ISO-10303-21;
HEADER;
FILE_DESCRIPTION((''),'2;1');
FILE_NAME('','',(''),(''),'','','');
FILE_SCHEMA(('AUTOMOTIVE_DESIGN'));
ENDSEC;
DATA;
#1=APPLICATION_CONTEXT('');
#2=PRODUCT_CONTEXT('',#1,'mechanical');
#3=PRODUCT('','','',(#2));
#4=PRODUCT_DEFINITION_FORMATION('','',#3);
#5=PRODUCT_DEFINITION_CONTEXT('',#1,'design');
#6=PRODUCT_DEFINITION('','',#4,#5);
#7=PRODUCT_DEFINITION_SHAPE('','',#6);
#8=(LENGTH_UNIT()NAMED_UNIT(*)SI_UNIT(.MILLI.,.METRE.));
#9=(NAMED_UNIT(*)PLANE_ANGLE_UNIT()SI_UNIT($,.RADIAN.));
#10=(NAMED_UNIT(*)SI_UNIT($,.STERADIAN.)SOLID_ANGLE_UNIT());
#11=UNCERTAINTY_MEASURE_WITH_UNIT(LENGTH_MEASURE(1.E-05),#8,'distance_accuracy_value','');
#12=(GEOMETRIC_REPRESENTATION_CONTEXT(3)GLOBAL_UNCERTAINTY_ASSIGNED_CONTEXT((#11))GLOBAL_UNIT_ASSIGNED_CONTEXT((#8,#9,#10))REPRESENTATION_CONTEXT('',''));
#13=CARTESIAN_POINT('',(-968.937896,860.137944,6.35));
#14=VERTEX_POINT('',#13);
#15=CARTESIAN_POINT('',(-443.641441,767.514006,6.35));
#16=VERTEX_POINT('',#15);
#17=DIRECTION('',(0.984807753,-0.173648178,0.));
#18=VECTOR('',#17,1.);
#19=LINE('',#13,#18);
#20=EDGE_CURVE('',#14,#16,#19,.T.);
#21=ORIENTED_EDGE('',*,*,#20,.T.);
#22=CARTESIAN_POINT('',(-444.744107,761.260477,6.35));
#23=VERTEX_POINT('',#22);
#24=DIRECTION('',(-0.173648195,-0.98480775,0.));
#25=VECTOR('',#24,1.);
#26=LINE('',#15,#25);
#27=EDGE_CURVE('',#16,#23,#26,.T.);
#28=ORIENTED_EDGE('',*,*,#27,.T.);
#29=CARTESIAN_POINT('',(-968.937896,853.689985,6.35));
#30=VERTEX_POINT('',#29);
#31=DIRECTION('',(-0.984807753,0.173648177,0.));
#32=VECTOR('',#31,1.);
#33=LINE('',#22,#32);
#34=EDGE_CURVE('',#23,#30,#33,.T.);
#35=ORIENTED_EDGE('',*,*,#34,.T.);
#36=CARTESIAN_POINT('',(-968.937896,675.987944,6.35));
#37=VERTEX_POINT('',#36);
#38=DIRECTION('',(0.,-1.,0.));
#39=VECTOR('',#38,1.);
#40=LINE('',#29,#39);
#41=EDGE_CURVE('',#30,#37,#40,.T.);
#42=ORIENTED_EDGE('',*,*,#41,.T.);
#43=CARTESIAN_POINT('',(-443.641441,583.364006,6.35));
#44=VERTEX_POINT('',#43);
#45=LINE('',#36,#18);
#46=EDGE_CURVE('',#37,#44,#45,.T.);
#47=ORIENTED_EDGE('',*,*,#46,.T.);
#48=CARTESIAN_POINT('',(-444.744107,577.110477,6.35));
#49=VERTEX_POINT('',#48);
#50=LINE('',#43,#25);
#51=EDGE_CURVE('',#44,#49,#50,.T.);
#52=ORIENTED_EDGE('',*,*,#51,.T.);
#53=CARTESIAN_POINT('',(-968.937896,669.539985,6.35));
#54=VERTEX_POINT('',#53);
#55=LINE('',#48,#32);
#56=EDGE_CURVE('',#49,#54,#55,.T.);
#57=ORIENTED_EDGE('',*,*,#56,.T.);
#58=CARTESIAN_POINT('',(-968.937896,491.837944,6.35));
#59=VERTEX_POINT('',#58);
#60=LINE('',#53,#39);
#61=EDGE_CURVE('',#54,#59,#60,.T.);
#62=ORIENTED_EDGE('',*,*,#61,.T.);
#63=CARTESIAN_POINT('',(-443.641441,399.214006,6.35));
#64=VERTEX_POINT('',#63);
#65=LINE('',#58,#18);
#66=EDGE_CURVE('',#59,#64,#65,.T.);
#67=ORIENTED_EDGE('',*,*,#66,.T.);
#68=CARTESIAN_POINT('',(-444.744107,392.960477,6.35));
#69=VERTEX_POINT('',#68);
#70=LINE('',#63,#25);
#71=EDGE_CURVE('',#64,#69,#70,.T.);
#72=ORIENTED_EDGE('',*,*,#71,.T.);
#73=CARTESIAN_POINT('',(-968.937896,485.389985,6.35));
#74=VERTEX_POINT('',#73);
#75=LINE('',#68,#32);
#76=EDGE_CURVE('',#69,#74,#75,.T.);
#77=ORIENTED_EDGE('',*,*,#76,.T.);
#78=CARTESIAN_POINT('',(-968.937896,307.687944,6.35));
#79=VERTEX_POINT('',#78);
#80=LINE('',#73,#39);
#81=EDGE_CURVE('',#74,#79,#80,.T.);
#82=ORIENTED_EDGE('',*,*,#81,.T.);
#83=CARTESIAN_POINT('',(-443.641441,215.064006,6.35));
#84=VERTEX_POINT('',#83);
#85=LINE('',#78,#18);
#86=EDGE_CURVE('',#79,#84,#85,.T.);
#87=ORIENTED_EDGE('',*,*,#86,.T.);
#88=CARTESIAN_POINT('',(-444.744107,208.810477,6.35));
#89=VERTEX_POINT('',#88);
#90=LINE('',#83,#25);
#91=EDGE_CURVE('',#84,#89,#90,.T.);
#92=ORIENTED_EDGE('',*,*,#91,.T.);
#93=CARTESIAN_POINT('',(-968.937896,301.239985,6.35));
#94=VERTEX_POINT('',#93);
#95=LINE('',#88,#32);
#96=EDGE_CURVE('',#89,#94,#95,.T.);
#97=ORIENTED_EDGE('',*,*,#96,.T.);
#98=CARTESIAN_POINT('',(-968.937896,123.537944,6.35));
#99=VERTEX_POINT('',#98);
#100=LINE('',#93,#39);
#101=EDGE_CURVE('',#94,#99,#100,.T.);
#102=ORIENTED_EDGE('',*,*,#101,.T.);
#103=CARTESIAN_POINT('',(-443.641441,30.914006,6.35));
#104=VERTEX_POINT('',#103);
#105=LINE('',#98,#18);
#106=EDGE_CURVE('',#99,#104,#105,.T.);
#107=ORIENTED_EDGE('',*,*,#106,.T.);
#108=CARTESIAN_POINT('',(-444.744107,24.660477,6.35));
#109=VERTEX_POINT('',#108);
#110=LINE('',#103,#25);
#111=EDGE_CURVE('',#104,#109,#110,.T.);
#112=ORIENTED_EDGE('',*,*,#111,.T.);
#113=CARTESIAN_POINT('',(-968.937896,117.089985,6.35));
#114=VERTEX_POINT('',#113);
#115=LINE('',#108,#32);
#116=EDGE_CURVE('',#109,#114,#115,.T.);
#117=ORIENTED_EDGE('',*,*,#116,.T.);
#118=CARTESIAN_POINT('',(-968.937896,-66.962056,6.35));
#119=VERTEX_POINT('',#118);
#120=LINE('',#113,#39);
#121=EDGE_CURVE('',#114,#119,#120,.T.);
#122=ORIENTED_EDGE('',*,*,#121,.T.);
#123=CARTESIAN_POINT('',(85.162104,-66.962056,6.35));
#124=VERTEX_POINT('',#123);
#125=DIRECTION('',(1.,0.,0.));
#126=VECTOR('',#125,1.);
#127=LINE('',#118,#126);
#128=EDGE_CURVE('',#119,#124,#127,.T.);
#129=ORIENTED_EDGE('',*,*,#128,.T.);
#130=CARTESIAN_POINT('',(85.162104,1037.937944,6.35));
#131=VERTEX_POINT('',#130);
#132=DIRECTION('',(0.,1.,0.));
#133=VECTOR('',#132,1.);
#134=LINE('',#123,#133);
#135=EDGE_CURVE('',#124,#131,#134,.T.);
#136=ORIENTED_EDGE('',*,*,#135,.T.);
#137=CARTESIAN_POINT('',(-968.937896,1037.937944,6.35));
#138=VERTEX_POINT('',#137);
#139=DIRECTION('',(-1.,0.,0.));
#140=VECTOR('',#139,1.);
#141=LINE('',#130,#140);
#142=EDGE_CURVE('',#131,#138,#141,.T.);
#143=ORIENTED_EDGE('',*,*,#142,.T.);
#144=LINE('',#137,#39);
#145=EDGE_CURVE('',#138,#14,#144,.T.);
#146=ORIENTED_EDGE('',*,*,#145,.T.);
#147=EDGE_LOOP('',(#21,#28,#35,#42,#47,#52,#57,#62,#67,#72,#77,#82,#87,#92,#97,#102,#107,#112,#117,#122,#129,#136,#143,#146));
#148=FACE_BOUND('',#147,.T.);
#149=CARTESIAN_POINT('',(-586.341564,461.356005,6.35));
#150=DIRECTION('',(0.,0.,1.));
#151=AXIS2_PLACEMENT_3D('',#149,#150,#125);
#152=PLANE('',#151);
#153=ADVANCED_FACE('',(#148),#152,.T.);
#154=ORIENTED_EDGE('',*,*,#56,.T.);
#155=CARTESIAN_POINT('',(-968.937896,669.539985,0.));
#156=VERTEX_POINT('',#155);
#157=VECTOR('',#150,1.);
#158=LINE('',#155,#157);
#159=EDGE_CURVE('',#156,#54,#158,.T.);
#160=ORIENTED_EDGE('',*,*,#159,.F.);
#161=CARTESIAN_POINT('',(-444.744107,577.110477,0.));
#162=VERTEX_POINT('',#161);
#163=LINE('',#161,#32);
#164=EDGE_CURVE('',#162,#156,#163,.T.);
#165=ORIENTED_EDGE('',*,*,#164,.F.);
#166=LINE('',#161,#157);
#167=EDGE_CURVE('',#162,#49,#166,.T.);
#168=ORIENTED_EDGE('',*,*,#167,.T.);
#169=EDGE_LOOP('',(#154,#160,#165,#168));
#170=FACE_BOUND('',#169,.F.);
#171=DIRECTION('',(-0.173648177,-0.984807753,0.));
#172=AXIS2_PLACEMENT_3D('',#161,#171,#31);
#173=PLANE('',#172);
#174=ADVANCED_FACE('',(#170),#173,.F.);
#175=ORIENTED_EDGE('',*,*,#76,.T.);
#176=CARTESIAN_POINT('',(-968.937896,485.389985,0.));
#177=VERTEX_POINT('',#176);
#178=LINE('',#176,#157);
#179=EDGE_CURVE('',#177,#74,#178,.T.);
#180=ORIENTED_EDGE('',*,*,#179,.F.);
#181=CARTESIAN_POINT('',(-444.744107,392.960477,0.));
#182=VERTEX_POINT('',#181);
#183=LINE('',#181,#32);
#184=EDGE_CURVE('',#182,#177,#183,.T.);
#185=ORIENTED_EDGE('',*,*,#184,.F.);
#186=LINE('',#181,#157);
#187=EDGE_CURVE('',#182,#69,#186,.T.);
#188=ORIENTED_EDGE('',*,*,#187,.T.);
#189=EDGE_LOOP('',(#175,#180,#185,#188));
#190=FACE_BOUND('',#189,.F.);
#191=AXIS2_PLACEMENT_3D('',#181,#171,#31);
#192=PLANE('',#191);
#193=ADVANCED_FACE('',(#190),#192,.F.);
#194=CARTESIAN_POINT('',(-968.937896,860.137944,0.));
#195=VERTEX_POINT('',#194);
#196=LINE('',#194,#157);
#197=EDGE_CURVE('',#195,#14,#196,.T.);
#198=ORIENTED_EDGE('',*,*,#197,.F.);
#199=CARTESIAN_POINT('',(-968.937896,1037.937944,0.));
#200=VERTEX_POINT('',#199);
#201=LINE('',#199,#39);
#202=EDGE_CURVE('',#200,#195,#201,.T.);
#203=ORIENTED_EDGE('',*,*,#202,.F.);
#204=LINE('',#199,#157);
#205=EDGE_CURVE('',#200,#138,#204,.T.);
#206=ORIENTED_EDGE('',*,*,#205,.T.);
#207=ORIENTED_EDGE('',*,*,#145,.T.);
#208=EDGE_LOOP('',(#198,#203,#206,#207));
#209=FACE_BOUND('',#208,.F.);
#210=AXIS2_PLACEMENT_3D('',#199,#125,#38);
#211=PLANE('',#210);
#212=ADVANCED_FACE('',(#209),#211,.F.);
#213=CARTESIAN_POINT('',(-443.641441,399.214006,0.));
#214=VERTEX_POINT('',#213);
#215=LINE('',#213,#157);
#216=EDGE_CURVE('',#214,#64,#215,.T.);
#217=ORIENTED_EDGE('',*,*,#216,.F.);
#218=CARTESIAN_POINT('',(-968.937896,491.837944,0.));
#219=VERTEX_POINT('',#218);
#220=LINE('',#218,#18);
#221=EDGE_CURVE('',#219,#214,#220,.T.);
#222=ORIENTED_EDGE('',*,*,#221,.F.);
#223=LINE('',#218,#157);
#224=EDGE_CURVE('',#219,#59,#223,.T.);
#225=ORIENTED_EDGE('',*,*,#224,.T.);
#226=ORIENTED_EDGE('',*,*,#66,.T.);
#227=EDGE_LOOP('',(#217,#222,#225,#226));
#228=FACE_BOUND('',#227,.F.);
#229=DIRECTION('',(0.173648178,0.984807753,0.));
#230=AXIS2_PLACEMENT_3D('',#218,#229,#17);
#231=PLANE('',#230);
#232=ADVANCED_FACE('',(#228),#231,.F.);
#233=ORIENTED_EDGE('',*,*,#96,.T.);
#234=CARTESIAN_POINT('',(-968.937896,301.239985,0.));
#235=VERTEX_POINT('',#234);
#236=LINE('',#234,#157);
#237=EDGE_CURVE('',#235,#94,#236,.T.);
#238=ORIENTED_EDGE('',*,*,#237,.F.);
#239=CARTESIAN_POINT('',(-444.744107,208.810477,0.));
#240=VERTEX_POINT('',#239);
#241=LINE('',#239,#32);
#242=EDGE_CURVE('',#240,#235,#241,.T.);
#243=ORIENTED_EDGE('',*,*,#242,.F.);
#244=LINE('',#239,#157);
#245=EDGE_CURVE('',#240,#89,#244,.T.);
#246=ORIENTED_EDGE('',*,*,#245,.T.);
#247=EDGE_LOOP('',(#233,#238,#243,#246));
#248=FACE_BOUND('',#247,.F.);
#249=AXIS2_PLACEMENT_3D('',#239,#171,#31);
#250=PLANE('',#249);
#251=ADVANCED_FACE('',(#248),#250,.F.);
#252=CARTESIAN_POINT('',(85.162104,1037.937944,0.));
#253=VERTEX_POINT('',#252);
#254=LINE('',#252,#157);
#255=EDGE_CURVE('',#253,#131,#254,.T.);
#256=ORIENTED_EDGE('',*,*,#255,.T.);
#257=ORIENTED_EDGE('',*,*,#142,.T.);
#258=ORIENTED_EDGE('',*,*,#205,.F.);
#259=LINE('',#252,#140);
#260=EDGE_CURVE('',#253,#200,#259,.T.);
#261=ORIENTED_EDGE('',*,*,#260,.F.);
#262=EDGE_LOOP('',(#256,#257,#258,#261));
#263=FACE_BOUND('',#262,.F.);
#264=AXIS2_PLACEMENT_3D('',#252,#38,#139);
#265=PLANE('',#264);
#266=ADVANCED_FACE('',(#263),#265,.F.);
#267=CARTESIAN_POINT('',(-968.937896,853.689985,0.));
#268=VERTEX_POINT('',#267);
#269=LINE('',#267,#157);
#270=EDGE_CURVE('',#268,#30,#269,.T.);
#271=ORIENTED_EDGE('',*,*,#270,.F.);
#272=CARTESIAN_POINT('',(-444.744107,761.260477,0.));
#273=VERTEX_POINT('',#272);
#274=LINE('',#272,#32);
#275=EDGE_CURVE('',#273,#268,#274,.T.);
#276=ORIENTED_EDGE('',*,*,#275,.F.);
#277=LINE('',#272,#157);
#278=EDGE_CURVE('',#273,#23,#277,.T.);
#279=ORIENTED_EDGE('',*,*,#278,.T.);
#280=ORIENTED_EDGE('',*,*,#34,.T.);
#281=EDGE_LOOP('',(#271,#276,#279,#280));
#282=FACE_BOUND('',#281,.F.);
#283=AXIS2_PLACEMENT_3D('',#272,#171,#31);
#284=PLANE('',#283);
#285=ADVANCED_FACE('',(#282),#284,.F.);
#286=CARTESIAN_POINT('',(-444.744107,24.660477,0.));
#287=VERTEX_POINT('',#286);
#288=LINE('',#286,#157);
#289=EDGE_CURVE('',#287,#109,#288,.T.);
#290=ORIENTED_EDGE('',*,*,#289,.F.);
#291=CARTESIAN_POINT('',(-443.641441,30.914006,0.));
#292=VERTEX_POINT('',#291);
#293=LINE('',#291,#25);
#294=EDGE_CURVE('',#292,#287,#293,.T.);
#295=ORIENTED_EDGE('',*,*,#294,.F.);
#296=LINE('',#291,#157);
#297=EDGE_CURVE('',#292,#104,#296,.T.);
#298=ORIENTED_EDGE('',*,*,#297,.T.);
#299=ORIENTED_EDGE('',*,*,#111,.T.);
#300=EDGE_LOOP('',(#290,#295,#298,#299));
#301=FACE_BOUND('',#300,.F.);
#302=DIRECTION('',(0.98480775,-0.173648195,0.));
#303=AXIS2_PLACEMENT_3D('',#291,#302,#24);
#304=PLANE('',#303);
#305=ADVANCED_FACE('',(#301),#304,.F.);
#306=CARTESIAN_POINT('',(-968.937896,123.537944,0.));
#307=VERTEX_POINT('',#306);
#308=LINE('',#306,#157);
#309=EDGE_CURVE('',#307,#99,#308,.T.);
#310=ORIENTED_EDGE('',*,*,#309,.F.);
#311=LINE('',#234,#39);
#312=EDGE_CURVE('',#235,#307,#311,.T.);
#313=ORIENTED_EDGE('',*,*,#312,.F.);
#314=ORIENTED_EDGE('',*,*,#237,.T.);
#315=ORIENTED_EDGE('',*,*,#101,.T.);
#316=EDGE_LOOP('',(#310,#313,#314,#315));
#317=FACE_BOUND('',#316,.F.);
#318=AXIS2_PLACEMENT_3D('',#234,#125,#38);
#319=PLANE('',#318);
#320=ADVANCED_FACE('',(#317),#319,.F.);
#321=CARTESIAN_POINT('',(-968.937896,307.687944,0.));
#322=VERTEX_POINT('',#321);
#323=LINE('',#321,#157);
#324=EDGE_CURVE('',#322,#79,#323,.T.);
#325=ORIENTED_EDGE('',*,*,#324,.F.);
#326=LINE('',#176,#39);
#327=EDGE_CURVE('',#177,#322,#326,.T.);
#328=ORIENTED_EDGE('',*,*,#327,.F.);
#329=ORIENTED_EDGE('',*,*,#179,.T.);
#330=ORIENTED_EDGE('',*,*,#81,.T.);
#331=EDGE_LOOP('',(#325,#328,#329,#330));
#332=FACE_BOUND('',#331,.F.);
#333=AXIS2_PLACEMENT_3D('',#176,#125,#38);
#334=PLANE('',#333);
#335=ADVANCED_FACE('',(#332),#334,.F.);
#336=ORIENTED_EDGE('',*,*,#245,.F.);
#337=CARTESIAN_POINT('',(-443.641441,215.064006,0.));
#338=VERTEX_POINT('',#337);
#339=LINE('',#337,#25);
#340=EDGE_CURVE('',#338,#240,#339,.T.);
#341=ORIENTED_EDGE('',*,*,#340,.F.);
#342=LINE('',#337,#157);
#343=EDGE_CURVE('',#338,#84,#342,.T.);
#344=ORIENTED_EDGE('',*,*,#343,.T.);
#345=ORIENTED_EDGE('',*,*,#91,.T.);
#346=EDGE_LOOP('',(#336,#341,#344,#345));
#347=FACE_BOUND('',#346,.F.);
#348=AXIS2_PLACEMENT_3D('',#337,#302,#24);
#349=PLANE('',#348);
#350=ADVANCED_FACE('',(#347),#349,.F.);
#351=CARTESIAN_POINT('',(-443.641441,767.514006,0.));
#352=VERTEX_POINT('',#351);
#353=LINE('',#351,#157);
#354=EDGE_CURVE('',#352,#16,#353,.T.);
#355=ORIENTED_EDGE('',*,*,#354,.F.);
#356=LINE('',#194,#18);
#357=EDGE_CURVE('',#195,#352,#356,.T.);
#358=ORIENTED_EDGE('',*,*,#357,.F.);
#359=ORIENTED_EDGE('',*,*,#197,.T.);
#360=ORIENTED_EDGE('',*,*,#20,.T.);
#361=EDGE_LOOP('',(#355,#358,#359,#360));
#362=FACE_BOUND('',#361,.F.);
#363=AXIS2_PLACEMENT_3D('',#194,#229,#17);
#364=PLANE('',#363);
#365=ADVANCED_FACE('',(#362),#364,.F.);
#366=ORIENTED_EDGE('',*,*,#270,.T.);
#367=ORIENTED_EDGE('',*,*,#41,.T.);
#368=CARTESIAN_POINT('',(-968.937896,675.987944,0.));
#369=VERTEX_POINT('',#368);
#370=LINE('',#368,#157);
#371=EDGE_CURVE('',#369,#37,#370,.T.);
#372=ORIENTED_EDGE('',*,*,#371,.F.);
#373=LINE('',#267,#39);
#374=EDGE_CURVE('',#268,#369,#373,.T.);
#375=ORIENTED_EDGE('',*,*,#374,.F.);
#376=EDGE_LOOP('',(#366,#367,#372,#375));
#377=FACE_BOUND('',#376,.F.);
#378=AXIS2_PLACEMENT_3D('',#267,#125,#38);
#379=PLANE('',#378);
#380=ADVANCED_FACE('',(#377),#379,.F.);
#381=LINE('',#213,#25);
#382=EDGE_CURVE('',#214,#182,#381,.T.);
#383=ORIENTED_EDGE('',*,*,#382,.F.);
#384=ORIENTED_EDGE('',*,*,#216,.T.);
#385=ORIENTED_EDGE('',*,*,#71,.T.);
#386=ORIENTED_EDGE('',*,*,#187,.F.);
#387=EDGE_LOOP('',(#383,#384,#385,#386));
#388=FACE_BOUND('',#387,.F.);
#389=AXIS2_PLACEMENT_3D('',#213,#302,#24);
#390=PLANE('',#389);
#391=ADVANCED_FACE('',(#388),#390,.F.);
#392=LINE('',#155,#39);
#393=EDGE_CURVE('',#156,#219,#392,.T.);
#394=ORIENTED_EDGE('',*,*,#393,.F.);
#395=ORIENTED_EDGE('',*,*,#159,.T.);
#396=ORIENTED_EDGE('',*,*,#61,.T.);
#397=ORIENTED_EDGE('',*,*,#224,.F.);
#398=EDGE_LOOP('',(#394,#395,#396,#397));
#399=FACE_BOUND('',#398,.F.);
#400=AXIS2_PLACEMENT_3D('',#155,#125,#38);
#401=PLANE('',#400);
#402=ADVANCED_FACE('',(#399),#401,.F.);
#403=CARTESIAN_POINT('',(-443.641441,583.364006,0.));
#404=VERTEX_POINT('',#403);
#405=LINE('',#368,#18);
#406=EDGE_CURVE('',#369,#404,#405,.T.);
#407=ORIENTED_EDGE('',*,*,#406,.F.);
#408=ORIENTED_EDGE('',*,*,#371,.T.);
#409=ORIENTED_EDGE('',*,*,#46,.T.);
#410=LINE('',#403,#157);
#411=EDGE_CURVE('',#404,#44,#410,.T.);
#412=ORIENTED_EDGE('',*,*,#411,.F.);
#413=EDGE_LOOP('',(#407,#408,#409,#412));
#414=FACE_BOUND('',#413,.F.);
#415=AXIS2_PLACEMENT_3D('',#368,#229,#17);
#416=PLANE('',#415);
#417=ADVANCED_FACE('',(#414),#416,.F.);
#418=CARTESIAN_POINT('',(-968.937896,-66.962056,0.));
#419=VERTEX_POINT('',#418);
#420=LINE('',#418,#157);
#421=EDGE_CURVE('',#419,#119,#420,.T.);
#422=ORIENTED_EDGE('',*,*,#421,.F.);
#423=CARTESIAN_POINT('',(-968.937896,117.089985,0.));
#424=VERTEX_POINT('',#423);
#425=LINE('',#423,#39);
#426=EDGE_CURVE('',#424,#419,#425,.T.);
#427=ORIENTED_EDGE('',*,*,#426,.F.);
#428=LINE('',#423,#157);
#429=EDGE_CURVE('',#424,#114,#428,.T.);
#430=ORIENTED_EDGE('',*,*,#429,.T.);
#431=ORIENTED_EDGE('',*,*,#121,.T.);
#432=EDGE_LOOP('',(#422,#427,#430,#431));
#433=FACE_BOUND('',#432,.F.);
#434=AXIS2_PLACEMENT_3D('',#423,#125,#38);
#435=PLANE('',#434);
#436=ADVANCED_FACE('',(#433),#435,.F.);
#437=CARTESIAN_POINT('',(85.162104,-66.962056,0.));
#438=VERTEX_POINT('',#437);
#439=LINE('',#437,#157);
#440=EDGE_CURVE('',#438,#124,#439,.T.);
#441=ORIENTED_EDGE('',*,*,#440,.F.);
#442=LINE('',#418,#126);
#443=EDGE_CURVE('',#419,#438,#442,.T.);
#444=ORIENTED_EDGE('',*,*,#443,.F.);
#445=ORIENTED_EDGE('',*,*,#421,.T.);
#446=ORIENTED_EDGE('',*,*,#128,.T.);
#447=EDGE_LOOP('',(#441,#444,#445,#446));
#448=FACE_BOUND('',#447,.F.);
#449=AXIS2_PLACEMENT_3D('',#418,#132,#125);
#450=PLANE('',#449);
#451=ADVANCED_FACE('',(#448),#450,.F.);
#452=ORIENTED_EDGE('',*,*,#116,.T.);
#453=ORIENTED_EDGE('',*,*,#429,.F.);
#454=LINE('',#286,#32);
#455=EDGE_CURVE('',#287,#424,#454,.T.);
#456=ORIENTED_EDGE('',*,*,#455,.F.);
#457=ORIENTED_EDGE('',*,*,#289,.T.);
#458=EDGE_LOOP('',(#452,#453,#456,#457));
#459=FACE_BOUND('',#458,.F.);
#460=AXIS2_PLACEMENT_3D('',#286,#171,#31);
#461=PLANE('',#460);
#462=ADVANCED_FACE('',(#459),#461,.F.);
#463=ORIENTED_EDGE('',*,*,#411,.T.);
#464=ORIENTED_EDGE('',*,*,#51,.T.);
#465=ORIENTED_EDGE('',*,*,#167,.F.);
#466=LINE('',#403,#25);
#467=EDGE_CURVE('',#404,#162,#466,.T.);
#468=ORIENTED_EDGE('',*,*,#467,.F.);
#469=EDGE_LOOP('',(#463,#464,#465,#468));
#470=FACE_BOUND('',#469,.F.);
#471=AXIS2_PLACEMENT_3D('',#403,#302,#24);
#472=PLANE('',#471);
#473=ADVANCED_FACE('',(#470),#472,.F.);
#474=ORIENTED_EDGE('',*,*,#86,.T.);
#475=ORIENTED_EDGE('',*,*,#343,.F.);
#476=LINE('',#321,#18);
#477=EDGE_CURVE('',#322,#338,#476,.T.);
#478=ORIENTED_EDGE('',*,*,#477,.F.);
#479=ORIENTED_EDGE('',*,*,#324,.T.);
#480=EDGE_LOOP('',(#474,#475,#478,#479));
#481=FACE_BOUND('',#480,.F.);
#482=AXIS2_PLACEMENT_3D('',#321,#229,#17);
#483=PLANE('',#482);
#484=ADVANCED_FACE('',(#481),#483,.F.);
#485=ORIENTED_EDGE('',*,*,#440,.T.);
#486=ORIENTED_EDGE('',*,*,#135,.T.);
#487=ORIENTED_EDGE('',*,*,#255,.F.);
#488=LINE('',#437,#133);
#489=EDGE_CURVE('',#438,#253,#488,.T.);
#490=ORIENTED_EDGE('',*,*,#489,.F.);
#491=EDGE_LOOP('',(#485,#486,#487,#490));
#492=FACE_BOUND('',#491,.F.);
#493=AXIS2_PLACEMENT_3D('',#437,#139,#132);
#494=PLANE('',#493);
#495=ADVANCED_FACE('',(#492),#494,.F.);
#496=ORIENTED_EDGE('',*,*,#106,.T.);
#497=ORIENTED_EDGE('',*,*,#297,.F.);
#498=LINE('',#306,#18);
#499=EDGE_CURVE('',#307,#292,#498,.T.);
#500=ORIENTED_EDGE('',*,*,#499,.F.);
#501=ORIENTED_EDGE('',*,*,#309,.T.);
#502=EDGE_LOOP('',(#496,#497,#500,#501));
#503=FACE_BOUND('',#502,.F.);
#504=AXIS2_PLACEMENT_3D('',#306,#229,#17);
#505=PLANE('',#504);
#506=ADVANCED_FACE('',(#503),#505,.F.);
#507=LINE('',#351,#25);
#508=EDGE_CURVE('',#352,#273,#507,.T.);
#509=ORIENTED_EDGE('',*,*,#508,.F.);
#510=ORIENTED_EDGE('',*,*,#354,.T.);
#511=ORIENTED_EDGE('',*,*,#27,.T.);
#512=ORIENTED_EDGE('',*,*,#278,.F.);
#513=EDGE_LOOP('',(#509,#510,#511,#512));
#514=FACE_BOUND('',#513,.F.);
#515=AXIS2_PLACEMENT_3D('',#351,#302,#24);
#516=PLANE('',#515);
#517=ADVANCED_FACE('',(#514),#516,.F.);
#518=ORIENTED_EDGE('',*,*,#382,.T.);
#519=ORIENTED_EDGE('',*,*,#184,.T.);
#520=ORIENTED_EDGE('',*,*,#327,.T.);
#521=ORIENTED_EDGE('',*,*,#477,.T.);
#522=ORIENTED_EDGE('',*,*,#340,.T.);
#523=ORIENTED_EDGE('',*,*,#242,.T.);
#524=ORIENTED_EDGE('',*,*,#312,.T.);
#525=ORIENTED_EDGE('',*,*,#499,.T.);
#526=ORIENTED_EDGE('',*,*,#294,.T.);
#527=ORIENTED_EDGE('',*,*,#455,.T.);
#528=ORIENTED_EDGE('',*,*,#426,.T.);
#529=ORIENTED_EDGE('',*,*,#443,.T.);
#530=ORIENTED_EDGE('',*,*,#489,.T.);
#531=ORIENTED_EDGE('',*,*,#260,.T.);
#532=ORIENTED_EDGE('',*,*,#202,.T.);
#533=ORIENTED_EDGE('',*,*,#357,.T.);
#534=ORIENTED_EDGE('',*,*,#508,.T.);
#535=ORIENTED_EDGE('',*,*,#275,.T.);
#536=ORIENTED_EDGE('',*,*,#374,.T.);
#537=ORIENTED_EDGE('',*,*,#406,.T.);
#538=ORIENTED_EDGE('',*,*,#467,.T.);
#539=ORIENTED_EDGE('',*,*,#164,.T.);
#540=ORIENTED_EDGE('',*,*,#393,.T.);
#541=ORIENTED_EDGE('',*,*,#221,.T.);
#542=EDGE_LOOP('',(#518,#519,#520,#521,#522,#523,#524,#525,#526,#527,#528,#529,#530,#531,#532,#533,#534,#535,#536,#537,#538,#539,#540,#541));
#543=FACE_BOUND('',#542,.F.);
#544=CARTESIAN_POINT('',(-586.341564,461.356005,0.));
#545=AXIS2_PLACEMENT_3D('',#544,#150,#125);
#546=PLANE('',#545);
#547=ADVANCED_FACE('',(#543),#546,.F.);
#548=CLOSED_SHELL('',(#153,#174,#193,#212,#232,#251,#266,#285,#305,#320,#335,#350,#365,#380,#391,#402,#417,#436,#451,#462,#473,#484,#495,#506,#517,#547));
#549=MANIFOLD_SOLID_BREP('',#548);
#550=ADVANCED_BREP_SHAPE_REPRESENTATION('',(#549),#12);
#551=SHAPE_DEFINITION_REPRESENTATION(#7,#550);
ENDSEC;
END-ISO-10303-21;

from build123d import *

# Parameters (mm, degrees)
F1_DEPTH = 6.35


with BuildPart() as f1:
    # F0 (on Top) → F1 (new body)
    with BuildSketch(Plane.XY):
        Polygon((85.162104, 1037.937944), (-968.937896, 1037.937944), (-968.937896, 1031.587944), (-968.937896, 865.466227), (-968.937896, 860.137944), (-443.641441, 767.514006), (-444.744107, 761.260477), (-968.937896, 853.689985), (-968.937896, 846.12235), (-968.937896, 681.316227), (-968.937896, 675.987944), (-443.641441, 583.364006), (-444.744107, 577.110477), (-968.937896, 669.539985), (-968.937896, 661.97235), (-968.937896, 497.166227), (-968.937896, 491.837944), (-443.641441, 399.214006), (-444.744107, 392.960477), (-968.937896, 485.389985), (-968.937896, 477.82235), (-968.937896, 313.016227), (-968.937896, 307.687944), (-443.641441, 215.064006), (-444.744107, 208.810477), (-968.937896, 301.239985), (-968.937896, 293.67235), (-968.937896, 123.537944), (-443.641441, 30.914006), (-444.744107, 24.660477), (-968.937896, 117.089985), (-968.937896, -66.962056), (85.162104, -66.962056), align=None)
    extrude(amount=F1_DEPTH)


solid = f1.part
